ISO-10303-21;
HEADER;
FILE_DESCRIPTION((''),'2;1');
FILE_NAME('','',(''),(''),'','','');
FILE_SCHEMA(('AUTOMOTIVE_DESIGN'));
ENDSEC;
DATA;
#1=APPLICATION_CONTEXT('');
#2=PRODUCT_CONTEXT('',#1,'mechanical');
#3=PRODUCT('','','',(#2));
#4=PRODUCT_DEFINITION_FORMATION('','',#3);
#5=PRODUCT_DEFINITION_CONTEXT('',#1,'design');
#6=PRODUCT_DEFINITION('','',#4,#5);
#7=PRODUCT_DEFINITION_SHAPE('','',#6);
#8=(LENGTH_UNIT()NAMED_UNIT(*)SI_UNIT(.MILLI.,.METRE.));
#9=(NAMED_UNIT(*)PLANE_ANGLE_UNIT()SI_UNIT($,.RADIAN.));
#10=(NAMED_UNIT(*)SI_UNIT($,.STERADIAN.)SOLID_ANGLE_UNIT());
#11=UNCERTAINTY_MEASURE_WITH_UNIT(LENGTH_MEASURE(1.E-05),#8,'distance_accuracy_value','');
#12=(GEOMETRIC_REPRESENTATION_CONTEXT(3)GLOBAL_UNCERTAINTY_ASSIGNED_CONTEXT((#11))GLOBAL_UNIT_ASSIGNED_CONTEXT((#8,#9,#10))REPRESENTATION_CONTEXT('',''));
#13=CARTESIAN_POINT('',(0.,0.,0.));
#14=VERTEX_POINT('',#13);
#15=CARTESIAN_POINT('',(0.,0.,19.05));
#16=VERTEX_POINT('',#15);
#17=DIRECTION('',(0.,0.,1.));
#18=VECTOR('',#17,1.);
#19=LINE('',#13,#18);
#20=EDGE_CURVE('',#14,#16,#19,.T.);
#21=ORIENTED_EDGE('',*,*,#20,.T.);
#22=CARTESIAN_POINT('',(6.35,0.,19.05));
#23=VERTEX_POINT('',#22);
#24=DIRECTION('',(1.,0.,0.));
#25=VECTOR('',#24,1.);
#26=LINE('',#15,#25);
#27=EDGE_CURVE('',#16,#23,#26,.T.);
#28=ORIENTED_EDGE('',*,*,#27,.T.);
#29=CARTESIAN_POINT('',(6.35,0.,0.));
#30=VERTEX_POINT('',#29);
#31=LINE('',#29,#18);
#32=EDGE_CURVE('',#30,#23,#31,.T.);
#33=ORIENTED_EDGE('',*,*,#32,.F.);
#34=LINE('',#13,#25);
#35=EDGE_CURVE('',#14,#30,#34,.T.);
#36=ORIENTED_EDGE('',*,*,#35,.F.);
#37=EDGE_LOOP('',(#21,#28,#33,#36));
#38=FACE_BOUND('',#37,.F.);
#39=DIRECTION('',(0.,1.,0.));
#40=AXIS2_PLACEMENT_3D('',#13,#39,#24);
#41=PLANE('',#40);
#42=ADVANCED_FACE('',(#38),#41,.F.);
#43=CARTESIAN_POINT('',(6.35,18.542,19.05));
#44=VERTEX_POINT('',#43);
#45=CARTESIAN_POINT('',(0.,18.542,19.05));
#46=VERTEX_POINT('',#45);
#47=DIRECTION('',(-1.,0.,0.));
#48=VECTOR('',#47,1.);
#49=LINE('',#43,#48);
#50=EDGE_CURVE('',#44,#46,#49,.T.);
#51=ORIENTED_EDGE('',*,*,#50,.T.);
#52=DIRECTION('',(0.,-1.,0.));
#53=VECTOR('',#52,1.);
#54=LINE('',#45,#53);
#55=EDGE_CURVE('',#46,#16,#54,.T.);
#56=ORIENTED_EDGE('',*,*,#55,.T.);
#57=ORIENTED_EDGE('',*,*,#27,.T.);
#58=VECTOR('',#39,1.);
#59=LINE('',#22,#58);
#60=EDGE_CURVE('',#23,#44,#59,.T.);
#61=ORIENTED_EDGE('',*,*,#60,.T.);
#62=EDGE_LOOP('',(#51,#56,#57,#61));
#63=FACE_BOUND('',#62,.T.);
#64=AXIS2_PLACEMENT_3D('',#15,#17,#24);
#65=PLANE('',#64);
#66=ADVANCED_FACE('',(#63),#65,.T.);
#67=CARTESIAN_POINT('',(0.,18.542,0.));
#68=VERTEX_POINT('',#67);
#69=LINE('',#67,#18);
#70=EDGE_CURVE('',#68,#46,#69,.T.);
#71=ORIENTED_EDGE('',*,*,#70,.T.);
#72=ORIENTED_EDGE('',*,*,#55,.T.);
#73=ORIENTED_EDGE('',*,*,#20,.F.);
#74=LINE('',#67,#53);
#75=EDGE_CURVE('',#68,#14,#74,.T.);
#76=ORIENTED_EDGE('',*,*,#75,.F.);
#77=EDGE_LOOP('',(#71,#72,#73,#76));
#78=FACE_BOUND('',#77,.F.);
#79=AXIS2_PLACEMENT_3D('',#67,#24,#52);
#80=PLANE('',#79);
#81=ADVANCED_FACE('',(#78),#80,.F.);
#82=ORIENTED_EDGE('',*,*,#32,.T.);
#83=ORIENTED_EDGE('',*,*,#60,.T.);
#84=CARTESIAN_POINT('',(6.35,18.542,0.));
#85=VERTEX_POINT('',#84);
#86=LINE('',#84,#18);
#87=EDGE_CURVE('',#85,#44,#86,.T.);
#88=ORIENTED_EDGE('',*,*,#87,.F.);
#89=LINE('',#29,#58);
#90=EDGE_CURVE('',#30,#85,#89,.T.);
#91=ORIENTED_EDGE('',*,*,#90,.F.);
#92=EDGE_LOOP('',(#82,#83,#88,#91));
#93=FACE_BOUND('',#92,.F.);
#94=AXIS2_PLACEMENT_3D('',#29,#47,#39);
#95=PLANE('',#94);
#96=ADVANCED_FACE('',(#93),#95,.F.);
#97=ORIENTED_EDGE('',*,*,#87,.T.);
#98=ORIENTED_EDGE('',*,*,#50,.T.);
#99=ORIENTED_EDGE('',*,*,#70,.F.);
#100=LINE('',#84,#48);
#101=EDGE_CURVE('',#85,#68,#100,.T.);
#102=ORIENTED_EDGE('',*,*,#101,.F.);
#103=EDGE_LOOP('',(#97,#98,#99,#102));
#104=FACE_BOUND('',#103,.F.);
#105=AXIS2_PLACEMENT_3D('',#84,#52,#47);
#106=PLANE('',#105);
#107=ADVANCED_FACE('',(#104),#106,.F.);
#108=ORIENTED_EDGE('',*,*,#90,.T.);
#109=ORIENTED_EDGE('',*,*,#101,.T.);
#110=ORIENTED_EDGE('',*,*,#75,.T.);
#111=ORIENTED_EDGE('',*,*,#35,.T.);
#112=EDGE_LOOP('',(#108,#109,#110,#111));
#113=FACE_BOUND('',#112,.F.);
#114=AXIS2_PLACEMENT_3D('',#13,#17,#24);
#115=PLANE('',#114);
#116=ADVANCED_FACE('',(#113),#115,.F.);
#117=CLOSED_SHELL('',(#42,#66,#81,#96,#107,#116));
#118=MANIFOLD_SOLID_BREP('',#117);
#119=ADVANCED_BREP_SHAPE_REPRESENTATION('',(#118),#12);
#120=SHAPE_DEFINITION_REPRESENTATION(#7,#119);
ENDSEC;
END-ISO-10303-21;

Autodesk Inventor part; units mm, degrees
ref_plane "YZ Plane" through (0, 0, 0) normal (1, 0, 0) x (0, 1, 0)
ref_plane "XZ Plane" through (0, 0, 0) normal (0, 1, 0) x (-1, 0, 0)
ref_plane "XY Plane" through (0, 0, 0) normal (0, 0, 1) x (1, 0, 0)
sketch "Sketch1" plane through (0, 0, 0) normal (0, 0, 1) x (1, 0, 0)
  line L0 (0, 0) -> (6.35, 0)
  line L1 (6.35, 0) -> (6.35, 18.542)
  line L2 (6.35, 18.542) -> (0, 18.542)
  line L3 (0, 18.542) -> (0, 0)
  dimension "d0" = 6.35
  dimension "d1" = 18.542
extrude "Extrusion1" add sketch "Sketch1" along normal blind 19.05
properties part number "sanding_box"
